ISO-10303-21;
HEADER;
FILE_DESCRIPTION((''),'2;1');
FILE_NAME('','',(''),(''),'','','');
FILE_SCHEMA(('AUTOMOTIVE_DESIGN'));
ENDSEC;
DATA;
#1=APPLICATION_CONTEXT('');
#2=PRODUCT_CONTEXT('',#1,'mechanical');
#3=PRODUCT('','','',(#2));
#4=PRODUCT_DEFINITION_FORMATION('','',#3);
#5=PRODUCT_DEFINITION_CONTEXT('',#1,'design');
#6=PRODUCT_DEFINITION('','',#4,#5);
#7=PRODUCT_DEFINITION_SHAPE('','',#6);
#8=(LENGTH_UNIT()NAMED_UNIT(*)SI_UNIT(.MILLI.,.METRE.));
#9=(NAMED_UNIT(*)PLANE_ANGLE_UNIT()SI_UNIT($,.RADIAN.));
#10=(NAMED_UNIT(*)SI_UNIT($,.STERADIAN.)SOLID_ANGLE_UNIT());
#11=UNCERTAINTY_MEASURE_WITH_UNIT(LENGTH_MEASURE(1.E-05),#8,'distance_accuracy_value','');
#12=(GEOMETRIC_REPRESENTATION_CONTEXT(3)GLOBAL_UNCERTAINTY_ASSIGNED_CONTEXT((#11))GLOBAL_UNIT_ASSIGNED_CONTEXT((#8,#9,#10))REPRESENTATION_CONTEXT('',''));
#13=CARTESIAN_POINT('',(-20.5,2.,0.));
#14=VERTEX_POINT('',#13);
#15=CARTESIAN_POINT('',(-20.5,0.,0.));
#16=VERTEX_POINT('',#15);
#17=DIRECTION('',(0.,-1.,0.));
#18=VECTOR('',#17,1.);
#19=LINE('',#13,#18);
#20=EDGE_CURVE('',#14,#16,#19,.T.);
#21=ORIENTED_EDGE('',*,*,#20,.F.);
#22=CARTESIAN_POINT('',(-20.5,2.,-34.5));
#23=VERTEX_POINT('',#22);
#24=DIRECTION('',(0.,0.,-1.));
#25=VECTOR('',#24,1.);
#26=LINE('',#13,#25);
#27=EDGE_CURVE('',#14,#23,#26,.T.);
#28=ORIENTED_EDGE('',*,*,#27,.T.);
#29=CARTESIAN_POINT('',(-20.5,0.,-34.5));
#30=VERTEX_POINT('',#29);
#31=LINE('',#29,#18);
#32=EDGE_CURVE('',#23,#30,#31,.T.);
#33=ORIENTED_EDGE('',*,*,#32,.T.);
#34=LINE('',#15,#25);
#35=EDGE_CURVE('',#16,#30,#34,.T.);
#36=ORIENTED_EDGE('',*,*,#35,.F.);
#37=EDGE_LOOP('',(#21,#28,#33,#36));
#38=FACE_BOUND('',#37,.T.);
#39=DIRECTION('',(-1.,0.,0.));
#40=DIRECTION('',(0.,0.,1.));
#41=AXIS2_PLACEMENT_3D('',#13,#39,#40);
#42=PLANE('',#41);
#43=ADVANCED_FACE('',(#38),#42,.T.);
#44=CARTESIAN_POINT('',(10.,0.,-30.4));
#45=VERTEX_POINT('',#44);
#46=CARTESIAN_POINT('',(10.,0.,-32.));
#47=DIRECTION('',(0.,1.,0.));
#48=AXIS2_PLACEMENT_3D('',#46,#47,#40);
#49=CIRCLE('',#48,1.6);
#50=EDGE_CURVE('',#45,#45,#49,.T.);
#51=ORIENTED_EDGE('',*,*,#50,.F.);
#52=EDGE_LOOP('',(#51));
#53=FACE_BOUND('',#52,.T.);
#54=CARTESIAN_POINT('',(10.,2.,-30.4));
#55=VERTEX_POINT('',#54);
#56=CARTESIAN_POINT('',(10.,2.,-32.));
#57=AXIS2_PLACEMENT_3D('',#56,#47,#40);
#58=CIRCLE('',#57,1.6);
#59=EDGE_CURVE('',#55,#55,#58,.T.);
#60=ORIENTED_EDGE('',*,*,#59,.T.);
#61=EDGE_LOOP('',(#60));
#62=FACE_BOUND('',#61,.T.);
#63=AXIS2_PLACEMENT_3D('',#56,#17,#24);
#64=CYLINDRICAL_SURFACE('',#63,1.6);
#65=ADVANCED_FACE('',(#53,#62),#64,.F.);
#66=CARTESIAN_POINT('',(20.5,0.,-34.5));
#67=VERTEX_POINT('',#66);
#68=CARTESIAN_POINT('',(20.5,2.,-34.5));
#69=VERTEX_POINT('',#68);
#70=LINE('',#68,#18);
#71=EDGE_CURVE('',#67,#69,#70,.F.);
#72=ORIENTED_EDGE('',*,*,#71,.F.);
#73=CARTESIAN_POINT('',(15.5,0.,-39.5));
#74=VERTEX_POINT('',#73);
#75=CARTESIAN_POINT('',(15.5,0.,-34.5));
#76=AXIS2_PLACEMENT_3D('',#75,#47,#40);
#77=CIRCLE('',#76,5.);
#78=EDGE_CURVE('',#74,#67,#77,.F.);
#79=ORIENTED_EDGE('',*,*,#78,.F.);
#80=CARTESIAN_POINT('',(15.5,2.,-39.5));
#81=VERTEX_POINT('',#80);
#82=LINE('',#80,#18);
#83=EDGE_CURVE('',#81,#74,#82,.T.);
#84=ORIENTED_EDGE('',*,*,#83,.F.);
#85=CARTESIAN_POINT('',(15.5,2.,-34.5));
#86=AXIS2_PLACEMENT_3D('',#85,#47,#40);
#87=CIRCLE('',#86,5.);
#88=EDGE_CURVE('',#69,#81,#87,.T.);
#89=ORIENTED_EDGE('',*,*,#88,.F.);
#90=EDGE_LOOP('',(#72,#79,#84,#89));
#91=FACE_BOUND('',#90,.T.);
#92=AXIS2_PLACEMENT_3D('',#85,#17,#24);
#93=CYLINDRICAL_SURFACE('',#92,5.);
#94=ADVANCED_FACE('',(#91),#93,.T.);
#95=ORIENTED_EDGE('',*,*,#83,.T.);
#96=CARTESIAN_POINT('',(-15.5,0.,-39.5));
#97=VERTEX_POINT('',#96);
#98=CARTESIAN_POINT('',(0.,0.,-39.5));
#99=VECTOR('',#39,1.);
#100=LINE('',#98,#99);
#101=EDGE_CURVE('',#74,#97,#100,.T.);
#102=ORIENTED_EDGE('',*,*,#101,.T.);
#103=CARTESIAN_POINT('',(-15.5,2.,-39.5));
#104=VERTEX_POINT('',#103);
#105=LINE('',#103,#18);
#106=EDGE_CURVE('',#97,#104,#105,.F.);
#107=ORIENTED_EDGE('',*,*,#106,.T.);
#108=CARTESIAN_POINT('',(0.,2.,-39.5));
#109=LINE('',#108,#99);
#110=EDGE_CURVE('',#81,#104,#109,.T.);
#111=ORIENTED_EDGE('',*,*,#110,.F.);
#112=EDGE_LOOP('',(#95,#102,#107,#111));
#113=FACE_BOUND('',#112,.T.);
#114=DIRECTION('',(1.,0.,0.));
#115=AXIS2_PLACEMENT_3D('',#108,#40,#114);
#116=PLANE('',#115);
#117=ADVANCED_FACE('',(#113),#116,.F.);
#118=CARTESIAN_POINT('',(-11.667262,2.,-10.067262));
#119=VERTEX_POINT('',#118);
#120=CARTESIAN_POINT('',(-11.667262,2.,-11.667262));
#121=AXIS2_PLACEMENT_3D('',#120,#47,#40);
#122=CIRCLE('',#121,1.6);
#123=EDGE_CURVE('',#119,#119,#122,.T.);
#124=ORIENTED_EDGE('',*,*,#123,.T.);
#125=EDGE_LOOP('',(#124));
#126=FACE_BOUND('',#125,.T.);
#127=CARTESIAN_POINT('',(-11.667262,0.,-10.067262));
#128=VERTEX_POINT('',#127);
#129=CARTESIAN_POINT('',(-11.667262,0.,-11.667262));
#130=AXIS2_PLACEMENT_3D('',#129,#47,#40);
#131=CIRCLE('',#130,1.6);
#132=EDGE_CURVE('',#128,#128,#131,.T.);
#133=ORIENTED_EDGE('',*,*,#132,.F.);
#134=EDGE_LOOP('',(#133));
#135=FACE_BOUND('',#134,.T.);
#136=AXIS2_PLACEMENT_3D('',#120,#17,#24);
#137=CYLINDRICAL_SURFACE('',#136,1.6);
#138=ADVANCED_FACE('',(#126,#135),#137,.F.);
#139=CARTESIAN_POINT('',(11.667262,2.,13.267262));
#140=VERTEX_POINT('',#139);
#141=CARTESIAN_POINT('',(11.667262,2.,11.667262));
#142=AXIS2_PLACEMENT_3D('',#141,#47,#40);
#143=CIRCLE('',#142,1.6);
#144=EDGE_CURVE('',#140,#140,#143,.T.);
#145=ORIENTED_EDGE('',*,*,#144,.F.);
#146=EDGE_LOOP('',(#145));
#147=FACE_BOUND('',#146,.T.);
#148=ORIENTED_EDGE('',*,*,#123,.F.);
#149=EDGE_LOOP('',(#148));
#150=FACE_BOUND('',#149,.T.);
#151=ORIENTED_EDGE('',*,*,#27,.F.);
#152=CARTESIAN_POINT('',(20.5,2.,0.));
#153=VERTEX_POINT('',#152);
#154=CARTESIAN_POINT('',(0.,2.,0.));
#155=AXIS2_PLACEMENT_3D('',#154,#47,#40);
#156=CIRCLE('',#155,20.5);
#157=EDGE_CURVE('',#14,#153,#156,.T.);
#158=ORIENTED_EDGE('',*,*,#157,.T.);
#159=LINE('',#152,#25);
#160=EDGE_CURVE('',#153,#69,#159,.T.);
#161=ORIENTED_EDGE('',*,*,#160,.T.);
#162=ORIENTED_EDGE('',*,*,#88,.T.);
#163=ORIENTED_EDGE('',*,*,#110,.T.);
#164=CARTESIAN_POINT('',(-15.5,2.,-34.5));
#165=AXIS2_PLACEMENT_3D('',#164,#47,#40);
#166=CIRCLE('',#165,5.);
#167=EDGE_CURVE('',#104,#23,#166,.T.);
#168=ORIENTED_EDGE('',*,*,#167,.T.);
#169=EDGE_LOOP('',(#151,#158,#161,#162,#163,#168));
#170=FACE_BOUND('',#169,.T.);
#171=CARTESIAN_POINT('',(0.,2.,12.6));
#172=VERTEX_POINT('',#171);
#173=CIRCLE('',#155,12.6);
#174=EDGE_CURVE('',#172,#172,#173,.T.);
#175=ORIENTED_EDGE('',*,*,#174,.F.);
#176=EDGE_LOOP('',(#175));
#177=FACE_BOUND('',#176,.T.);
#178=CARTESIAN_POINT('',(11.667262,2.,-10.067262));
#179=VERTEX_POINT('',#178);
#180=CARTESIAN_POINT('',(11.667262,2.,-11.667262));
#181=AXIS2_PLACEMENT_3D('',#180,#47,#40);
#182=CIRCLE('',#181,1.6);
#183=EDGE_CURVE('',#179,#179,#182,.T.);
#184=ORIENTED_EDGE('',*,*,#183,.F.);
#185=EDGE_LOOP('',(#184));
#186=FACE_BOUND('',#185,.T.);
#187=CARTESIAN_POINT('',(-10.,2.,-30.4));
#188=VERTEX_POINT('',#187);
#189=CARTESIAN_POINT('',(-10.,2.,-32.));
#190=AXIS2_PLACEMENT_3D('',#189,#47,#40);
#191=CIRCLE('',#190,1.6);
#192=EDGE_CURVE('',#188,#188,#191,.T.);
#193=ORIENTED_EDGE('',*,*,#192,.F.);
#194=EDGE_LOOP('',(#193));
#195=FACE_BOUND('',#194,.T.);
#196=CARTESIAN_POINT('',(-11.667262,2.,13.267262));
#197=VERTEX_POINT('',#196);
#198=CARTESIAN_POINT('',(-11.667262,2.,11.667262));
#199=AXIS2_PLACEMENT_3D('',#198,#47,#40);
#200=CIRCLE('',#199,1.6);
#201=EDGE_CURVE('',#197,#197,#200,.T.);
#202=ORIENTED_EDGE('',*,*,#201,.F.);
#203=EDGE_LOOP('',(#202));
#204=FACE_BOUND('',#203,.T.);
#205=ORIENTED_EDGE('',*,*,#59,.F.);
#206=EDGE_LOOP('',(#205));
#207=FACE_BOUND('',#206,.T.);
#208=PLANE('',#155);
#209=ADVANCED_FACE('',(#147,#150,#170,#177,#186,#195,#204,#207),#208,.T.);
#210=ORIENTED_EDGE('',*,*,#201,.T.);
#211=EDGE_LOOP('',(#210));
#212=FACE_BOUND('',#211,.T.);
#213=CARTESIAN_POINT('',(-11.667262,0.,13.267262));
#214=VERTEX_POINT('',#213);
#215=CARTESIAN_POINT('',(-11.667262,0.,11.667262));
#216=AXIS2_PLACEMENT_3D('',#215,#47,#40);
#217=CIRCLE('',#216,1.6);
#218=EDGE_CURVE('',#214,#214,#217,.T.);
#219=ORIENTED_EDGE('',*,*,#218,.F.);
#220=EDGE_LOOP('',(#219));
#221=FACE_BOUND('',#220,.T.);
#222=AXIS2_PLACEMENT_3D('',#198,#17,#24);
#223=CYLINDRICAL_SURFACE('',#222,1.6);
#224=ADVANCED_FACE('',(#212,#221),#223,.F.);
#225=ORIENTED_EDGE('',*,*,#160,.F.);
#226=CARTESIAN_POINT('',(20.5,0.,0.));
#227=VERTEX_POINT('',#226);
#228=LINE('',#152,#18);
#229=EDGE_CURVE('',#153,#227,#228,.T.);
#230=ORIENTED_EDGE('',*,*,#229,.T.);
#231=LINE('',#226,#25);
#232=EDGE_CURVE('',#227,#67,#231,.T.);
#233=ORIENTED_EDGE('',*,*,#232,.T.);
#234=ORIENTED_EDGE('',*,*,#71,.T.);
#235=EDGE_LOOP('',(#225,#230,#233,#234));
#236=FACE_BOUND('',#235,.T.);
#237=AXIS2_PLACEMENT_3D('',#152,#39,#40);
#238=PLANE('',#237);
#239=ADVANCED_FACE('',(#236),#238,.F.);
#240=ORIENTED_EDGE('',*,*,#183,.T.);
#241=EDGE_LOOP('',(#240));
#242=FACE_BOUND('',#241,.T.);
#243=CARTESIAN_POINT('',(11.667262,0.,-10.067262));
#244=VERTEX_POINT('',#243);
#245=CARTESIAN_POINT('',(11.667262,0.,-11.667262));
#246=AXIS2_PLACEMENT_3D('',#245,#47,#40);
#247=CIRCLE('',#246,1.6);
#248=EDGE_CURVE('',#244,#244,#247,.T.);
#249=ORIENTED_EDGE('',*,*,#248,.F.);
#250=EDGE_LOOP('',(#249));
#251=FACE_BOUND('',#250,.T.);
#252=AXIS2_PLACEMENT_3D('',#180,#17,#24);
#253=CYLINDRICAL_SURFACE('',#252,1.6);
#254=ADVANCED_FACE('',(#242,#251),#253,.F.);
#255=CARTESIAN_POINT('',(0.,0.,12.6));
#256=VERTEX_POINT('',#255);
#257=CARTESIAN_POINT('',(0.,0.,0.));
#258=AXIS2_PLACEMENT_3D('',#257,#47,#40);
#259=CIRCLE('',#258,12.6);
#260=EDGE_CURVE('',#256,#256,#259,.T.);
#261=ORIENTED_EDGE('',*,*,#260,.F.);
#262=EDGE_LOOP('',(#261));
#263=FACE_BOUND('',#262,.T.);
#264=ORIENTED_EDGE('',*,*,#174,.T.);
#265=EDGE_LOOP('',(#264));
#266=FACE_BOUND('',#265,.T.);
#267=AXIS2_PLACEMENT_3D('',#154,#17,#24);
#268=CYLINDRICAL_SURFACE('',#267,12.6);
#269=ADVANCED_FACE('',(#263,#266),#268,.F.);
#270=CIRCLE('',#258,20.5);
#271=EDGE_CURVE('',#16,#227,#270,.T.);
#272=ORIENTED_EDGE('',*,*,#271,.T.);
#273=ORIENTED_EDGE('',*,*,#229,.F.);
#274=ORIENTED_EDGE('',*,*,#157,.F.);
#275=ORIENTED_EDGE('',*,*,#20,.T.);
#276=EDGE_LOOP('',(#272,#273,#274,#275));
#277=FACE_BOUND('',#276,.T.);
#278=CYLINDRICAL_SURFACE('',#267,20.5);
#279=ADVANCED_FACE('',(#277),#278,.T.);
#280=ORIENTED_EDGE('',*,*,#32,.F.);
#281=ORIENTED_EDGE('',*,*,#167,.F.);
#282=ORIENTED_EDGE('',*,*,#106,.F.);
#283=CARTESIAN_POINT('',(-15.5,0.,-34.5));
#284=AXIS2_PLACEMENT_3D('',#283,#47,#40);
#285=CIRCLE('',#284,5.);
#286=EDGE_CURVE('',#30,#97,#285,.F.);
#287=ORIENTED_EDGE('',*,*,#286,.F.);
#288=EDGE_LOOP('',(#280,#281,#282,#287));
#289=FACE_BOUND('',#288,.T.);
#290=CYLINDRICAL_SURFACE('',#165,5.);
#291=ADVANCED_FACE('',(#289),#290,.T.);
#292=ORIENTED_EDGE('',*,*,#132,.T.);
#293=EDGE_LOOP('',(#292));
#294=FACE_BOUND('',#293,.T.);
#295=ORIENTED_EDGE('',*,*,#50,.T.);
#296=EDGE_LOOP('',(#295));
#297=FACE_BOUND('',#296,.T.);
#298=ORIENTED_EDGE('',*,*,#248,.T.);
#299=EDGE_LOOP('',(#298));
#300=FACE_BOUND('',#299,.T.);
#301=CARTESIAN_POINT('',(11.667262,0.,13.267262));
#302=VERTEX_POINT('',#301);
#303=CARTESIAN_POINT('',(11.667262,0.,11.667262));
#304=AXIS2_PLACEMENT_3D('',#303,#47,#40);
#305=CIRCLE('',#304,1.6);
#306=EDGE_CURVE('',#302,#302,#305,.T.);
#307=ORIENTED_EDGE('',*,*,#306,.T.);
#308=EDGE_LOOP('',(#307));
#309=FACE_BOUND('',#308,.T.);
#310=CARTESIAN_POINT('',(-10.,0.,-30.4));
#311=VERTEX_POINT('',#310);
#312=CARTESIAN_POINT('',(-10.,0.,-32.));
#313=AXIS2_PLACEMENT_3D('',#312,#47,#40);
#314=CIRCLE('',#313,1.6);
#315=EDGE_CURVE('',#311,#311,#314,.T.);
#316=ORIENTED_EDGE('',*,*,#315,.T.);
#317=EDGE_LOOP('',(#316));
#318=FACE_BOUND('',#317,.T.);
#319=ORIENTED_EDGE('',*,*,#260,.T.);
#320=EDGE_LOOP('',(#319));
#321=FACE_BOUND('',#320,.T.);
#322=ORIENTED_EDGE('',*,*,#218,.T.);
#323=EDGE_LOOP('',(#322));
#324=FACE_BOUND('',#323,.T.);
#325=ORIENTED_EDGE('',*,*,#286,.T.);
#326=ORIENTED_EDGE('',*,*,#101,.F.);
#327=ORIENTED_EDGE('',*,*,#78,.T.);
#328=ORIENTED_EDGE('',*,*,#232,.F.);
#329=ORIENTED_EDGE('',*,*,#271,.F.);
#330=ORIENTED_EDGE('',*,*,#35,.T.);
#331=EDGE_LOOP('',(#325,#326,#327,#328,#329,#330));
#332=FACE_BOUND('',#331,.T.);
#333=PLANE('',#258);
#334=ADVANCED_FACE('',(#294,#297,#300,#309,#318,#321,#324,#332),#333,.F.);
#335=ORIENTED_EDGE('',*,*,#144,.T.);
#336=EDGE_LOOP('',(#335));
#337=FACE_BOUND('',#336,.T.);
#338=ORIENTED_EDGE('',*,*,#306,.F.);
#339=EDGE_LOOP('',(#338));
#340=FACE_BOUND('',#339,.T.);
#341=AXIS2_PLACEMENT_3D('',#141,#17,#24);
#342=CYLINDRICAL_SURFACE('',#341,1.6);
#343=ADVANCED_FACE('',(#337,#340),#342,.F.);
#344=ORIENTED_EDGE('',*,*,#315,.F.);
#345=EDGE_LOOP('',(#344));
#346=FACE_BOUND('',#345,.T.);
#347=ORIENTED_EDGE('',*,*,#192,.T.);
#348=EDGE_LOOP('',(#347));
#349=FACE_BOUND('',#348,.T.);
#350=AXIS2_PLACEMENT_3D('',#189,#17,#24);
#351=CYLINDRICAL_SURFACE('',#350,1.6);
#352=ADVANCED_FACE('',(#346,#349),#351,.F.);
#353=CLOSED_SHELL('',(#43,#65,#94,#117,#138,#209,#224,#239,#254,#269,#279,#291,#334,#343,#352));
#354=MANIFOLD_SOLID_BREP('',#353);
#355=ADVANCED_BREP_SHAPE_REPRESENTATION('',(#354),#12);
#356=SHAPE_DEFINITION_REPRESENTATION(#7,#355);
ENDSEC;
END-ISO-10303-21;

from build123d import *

# Parameters (mm, degrees)
SKETCH_1_R      = 1.6
SKETCH_1_R_2    = 20.5
SKETCH_1_R_3    = 12.6
EXTRUDE_1_DEPTH = 2
FILLET_1_R      = 5


with BuildPart() as part:
    # 草图1 → 凸台-拉伸1 (new body)
    # profile 1 of 2: a face of its own
    with BuildSketch(Plane(origin=(0, 0, 0), x_dir=(1, 0, 0), z_dir=(0, 1, 0))):
        with BuildLine():
            Line((-20.5, 39.5), (-20.5, 0))
            ThreePointArc((-20.5, 0), (0, 20.5), (20.5, 0))
            Line((20.5, 0), (20.5, 39.5))
            Line((20.5, 39.5), (-20.5, 39.5))
        make_face()
        with Locations(Location((-10, 32, 0), (0, 0, 270))):
            Circle(SKETCH_1_R, mode=Mode.SUBTRACT)
        with Locations(Location((10, 32, 0), (0, 0, 270))):
            Circle(SKETCH_1_R, mode=Mode.SUBTRACT)
    # profile 2 of 2: a face of its own
    with BuildSketch(Plane(origin=(0, 0, 0), x_dir=(1, 0, 0), z_dir=(0, 1, 0))):
        Circle(SKETCH_1_R_2)
        with Locations(Location((11.66726189, -11.66726189, 0), (0, 0, 270))):
            Circle(SKETCH_1_R, mode=Mode.SUBTRACT)
        with Locations(Location((11.66726189, 11.66726189, 0), (0, 0, 270))):
            Circle(SKETCH_1_R, mode=Mode.SUBTRACT)
        with Locations(Location((-11.66726189, 11.66726189, 0), (0, 0, 270))):
            Circle(SKETCH_1_R, mode=Mode.SUBTRACT)
        with Locations(Location((-11.66726189, -11.66726189, 0), (0, 0, 270))):
            Circle(SKETCH_1_R, mode=Mode.SUBTRACT)
        with Locations(Location((0, 0, 0), (0, 0, 270))):
            Circle(SKETCH_1_R_3, mode=Mode.SUBTRACT)
    extrude(amount=EXTRUDE_1_DEPTH)

    # 圆角1
    fillet_1_edges = [part.edges().sort_by_distance(p)[0] for p in [
        (-20.5, 1, -39.5),
        (20.5, 1, -39.5),
    ]]
    fillet(fillet_1_edges, radius=FILLET_1_R)


solid = part.part
